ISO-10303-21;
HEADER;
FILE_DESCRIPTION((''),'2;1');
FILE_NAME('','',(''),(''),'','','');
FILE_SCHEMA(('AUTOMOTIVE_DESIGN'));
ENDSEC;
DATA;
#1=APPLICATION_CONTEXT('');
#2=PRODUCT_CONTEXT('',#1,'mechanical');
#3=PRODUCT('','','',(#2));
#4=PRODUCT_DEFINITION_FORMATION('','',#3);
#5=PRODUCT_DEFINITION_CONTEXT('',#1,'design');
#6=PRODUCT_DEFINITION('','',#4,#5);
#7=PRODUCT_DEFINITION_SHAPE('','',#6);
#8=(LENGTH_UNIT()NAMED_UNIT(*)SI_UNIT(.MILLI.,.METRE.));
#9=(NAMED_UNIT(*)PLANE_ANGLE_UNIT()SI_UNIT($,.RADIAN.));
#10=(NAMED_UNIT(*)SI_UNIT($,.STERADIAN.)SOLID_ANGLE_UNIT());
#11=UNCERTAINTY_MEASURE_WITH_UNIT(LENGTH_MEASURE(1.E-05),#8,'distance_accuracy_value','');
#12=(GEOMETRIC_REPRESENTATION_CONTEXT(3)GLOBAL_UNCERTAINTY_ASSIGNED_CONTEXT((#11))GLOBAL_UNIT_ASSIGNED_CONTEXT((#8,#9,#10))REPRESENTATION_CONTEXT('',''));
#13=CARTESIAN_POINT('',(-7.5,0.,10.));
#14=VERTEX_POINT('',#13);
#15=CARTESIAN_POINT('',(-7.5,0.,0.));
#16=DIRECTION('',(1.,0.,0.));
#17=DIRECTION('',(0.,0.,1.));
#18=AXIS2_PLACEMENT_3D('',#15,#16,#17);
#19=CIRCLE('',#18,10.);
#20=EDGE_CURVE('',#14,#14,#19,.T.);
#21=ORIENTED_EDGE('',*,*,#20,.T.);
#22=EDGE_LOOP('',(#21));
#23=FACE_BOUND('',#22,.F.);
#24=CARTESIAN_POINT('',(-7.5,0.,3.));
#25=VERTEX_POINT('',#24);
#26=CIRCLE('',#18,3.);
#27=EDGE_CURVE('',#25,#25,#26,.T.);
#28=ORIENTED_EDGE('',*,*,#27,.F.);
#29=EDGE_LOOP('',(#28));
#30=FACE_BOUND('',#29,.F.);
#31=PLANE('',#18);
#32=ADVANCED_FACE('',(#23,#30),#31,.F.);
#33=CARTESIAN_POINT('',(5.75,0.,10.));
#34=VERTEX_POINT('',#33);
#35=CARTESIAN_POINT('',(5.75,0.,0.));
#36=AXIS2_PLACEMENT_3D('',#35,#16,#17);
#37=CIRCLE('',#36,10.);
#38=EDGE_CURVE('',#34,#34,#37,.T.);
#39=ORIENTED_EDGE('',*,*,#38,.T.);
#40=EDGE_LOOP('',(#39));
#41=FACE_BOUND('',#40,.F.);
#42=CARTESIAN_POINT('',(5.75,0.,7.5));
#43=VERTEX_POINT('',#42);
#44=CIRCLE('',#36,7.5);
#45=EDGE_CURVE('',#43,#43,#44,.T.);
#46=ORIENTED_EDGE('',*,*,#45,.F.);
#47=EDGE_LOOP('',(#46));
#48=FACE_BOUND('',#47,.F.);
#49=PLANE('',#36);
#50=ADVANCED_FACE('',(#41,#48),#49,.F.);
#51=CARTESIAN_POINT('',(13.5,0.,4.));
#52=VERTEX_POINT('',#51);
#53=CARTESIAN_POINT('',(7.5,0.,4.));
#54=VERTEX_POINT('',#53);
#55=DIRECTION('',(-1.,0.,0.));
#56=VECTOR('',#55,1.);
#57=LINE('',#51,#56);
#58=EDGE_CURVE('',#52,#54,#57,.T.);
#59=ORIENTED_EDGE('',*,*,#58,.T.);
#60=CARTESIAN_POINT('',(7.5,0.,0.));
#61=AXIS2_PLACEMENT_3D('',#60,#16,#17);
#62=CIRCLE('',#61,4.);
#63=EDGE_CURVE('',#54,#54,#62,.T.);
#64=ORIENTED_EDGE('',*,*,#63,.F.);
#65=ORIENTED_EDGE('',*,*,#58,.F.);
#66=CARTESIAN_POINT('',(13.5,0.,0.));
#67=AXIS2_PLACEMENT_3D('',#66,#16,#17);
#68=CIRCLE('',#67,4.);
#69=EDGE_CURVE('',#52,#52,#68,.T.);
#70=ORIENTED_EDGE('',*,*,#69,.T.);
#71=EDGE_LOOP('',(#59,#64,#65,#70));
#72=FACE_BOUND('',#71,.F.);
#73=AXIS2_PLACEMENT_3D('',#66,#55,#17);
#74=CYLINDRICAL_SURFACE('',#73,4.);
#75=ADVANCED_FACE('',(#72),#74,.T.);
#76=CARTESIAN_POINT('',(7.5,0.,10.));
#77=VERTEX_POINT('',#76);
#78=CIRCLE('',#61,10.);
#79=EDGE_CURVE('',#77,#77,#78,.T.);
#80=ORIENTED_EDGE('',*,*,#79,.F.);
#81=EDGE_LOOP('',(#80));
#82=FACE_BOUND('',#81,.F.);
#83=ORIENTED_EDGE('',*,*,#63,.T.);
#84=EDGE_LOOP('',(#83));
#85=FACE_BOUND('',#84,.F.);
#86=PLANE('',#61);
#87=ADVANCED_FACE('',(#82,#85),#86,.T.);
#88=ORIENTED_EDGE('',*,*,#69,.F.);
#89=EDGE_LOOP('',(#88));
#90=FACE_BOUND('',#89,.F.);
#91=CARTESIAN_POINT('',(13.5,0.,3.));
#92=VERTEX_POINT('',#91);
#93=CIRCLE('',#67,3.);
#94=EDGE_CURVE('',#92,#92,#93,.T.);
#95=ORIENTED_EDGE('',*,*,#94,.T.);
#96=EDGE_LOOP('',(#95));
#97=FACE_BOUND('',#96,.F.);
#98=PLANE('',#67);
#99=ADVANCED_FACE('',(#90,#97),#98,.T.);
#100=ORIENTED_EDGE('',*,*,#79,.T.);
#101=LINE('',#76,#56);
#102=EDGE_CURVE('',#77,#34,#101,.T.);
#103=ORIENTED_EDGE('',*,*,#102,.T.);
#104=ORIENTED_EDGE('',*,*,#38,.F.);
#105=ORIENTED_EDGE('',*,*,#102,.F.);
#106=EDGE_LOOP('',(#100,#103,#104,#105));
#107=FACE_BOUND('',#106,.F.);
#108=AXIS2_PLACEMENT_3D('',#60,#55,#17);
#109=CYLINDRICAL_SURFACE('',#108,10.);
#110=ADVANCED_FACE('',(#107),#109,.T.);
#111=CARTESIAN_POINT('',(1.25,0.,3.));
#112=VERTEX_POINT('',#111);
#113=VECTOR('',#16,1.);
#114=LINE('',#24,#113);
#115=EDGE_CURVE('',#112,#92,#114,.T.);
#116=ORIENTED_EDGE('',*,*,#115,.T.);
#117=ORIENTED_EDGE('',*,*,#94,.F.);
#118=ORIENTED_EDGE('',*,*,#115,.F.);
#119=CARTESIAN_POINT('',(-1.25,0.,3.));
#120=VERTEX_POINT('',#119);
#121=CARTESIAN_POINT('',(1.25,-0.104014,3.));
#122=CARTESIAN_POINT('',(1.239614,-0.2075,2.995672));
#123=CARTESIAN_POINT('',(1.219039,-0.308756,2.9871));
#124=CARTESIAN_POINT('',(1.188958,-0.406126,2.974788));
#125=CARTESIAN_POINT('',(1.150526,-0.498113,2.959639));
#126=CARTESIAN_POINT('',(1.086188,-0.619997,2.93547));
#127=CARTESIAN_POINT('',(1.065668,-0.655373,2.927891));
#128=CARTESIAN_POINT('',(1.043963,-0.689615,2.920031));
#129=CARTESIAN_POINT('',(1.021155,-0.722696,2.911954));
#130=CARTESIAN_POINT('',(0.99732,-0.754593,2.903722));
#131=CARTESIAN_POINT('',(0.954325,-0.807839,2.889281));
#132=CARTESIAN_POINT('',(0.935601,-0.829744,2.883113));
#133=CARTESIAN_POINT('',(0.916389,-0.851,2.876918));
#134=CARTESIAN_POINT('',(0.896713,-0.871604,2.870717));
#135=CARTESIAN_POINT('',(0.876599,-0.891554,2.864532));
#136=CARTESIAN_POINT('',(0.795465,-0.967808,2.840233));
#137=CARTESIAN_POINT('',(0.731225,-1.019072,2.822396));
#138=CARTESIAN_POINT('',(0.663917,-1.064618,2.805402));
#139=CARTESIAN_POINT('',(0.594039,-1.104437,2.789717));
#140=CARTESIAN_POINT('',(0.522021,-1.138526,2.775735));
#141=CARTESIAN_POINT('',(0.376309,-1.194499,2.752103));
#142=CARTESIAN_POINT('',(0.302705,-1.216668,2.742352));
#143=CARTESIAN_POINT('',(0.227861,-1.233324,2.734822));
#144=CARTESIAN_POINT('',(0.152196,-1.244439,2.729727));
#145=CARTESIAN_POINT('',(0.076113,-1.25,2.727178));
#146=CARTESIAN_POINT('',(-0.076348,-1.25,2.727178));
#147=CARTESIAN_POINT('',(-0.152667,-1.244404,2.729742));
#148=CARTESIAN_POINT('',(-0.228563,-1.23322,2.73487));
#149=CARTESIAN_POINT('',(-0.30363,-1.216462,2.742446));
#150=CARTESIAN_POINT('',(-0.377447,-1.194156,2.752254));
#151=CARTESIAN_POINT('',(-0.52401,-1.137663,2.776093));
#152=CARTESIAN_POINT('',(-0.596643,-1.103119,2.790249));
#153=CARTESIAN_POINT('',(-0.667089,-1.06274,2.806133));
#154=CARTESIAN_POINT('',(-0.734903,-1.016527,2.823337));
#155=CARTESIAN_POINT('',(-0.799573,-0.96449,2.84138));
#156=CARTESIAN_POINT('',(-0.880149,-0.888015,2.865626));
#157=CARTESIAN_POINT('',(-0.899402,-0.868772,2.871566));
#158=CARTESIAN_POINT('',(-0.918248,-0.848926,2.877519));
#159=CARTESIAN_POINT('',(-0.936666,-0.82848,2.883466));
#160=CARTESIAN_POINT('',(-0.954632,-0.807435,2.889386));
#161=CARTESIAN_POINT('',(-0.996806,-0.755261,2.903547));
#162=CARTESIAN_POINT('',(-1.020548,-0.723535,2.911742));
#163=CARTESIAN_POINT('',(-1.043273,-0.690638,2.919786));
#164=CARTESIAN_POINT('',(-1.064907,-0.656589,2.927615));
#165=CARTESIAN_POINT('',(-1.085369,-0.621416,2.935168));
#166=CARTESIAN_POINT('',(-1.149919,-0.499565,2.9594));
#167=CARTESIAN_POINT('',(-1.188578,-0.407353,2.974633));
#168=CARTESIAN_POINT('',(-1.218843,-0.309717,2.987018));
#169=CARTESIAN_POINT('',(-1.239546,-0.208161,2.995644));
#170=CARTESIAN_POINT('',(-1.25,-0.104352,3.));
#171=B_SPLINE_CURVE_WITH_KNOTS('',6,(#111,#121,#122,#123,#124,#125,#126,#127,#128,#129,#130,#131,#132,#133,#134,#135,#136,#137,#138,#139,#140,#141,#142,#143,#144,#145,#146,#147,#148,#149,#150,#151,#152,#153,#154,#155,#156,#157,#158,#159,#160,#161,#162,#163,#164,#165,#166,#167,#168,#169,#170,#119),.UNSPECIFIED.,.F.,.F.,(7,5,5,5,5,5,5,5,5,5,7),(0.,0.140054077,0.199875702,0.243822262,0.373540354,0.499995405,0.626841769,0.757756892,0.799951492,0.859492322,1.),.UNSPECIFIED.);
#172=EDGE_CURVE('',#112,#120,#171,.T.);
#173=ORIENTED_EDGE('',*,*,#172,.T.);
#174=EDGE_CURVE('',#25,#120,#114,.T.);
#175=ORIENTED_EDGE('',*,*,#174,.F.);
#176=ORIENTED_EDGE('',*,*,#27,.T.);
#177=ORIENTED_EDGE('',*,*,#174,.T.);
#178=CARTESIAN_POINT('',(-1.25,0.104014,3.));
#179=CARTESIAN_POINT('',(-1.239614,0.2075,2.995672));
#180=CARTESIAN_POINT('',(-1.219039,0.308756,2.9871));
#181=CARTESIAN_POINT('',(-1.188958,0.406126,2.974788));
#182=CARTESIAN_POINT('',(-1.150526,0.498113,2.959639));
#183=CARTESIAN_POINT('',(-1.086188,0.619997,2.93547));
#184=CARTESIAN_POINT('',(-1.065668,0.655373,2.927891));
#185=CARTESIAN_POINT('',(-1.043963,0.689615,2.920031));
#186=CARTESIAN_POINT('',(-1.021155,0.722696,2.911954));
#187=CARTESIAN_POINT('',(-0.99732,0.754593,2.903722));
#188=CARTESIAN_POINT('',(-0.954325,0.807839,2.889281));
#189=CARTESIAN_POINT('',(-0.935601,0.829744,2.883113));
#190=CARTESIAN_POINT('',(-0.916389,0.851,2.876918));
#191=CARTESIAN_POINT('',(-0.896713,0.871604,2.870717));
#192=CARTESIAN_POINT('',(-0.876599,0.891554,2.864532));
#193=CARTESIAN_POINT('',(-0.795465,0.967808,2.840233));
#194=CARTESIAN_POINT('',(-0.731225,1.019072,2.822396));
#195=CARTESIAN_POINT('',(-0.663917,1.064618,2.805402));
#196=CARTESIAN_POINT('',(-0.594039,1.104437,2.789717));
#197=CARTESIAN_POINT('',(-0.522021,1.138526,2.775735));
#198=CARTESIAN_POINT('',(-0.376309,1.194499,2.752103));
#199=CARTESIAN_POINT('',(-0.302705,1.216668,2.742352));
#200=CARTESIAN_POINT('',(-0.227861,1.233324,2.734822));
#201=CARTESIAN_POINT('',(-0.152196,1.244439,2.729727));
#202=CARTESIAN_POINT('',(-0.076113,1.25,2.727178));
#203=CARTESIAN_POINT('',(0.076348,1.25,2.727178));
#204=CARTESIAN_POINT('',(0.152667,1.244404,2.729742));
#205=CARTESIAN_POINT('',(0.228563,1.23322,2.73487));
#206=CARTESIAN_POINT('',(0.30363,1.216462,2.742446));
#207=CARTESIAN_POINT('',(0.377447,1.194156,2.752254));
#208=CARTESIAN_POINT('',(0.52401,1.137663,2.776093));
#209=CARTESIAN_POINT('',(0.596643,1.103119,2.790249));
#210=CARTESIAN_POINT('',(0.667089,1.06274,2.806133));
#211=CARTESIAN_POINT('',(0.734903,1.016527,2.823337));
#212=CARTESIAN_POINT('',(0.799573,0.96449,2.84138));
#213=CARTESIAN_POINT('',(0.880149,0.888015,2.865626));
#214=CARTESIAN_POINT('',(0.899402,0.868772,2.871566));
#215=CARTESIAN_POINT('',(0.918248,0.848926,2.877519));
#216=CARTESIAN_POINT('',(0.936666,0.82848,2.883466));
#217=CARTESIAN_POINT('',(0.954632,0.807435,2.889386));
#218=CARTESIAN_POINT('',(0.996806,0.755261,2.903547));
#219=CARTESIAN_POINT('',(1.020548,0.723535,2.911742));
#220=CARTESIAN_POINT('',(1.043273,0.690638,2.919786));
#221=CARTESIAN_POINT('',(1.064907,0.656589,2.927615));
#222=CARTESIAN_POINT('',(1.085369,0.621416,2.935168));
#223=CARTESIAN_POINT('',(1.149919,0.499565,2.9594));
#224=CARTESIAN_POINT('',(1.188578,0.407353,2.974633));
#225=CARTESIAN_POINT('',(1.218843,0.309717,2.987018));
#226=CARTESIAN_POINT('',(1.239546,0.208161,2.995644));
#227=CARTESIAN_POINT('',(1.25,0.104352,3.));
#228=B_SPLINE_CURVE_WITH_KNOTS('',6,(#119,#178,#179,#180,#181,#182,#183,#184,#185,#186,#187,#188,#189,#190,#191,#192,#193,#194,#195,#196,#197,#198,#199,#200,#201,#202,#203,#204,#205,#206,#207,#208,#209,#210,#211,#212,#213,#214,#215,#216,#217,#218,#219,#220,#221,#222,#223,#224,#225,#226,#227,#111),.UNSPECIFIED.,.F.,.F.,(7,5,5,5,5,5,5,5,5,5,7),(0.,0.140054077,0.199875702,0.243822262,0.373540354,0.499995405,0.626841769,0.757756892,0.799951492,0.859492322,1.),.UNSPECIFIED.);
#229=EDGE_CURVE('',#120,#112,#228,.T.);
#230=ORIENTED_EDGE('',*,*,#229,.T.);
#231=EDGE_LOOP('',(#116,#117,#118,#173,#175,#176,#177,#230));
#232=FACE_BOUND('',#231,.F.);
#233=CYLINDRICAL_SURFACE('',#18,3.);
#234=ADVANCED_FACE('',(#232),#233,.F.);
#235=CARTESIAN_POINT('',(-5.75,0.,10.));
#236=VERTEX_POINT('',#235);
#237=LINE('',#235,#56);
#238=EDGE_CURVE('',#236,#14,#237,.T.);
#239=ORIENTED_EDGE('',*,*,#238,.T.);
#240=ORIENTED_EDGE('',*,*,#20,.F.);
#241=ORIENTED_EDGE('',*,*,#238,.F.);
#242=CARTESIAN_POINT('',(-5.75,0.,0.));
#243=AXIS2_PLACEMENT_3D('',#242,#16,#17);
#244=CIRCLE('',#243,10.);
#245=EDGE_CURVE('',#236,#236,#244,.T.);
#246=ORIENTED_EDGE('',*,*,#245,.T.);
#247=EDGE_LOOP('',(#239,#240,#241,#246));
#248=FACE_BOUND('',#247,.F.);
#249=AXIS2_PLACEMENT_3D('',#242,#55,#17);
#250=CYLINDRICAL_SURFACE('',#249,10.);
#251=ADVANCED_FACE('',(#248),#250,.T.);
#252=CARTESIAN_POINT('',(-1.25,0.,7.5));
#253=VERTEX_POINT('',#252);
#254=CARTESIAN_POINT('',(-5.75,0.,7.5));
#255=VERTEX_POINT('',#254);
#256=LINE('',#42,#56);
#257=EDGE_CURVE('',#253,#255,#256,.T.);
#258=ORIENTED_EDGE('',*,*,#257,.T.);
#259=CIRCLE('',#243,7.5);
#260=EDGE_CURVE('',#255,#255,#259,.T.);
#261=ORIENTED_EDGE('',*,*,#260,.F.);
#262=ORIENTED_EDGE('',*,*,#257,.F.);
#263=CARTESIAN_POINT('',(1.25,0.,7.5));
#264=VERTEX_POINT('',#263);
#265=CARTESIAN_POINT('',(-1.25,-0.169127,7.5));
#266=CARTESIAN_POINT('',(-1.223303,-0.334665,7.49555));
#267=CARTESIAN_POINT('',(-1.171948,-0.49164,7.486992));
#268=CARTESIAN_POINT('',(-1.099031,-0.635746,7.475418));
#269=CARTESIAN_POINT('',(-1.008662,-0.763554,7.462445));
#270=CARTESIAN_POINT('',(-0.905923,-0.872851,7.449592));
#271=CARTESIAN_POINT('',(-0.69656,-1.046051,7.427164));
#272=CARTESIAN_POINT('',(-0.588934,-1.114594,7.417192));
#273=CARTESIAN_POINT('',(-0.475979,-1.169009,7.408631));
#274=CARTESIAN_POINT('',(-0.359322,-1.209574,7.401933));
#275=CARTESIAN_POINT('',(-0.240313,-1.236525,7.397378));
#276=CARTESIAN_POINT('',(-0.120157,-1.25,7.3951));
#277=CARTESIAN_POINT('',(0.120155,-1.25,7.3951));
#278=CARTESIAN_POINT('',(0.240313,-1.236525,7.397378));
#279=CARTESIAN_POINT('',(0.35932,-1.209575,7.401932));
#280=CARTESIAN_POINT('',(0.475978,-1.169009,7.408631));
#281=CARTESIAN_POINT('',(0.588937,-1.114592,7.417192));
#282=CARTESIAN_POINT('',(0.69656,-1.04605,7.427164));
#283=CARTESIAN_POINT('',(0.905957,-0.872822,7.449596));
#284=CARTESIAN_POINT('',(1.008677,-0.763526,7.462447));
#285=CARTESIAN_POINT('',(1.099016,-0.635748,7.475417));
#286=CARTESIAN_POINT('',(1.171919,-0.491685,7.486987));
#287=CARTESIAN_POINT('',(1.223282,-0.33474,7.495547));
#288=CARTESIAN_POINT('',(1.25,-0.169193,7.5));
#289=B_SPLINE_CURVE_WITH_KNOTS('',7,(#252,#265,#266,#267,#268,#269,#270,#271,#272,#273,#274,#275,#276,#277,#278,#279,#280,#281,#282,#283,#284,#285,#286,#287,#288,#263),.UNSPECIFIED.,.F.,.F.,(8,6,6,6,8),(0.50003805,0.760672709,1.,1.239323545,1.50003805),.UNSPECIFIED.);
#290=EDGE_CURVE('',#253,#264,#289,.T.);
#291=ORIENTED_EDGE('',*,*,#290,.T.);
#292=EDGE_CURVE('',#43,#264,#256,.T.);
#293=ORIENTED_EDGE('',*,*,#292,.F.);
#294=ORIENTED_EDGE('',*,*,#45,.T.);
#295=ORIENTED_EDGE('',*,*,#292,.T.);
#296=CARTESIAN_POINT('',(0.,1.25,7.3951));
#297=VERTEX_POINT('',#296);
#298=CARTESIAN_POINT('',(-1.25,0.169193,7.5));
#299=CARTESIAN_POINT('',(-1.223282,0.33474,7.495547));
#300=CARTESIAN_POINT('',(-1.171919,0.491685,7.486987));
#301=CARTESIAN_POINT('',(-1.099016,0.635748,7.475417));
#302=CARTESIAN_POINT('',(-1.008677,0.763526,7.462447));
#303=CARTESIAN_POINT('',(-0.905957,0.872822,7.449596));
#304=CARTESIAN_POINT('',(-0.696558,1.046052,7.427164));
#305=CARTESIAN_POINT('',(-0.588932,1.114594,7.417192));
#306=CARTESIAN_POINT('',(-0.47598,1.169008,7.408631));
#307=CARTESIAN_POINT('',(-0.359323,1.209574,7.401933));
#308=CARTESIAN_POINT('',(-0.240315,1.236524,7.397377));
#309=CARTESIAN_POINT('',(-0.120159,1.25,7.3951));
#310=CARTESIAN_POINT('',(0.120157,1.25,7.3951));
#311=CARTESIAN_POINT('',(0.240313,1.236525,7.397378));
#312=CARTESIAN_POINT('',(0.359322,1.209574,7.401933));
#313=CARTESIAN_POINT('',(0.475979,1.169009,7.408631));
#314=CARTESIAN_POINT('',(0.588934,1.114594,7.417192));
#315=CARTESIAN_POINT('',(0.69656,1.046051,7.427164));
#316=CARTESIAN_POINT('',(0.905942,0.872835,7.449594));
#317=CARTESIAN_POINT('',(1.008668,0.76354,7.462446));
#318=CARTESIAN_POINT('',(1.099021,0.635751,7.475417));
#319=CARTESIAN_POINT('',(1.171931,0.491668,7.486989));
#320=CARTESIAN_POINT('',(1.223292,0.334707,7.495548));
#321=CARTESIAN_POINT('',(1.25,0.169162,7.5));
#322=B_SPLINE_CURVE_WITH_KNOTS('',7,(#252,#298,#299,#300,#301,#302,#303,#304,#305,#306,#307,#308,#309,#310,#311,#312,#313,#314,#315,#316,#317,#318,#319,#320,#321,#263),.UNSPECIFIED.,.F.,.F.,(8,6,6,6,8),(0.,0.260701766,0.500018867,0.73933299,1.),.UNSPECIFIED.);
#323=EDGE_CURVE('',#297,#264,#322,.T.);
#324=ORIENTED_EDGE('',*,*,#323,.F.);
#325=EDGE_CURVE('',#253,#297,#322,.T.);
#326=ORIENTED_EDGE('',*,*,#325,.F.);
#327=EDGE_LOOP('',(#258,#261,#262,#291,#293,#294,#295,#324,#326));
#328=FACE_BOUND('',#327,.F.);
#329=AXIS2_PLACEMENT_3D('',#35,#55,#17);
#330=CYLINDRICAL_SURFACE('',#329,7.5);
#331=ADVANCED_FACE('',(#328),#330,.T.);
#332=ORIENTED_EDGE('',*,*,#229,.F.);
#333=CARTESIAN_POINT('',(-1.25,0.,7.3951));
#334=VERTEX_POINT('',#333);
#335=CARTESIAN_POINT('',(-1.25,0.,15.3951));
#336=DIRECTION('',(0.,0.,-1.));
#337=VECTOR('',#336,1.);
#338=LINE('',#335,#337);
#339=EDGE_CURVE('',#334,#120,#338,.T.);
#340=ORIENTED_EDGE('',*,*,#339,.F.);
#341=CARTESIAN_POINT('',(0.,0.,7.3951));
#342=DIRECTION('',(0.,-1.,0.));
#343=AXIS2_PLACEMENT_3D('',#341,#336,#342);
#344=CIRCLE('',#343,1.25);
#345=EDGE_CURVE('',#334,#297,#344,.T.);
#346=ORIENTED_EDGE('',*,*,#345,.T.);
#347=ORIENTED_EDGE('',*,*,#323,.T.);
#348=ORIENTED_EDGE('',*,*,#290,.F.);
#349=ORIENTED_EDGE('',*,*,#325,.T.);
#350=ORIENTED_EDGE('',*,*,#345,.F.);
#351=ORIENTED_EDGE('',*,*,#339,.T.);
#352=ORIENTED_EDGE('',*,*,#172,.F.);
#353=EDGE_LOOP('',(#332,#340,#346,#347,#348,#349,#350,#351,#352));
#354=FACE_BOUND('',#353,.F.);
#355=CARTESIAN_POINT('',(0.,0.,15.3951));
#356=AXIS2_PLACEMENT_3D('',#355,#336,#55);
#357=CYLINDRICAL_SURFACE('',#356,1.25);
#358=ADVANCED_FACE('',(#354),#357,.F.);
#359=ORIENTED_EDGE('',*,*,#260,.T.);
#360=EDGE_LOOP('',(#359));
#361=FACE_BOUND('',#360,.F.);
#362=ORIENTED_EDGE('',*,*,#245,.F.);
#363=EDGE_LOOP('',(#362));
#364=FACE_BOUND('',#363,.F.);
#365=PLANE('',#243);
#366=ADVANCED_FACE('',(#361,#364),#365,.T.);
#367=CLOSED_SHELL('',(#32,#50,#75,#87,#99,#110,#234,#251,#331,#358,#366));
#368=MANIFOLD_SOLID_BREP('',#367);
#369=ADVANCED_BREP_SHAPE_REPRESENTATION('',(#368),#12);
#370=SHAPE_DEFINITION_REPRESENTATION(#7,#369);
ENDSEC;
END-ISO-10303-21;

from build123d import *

# Parameters (mm, degrees)
F4_D     = 2.5
F4_DEPTH = 8
F4_START = 17.6049004
F4_TIP   = 0.7510757738


with BuildPart() as f1:
    # F0 (on Front) → F1 (revolve)
    with BuildSketch(Plane.XZ):
        Polygon((-7.5, 3), (13.5, 3), (13.5, 4), (7.5, 4), (7.5, 10), (5.75, 10), (5.75, 7.5), (-5.75, 7.5), (-5.75, 10), (-7.5, 10), align=None)
    revolve(axis=Axis((1.1428869498, 0, 0), (1, 0, 0)))

    # F4
    # its depths count from where the whole tool has entered the part; down to there all is cleared
    with Locations(Plane.XY.offset(25)):
        with Locations((0, 0)):
            Hole(F4_D / 2, depth=F4_START)
    with Locations(Plane.XY.offset(25).offset(-F4_START)):
        with Locations((0, 0)):
            Hole(F4_D / 2, depth=F4_DEPTH)
            with Locations((0, 0, -(F4_DEPTH + F4_TIP / 2))):  # 118° drill point
                Cone(0, F4_D / 2, F4_TIP, mode=Mode.SUBTRACT)


solid = f1.part
